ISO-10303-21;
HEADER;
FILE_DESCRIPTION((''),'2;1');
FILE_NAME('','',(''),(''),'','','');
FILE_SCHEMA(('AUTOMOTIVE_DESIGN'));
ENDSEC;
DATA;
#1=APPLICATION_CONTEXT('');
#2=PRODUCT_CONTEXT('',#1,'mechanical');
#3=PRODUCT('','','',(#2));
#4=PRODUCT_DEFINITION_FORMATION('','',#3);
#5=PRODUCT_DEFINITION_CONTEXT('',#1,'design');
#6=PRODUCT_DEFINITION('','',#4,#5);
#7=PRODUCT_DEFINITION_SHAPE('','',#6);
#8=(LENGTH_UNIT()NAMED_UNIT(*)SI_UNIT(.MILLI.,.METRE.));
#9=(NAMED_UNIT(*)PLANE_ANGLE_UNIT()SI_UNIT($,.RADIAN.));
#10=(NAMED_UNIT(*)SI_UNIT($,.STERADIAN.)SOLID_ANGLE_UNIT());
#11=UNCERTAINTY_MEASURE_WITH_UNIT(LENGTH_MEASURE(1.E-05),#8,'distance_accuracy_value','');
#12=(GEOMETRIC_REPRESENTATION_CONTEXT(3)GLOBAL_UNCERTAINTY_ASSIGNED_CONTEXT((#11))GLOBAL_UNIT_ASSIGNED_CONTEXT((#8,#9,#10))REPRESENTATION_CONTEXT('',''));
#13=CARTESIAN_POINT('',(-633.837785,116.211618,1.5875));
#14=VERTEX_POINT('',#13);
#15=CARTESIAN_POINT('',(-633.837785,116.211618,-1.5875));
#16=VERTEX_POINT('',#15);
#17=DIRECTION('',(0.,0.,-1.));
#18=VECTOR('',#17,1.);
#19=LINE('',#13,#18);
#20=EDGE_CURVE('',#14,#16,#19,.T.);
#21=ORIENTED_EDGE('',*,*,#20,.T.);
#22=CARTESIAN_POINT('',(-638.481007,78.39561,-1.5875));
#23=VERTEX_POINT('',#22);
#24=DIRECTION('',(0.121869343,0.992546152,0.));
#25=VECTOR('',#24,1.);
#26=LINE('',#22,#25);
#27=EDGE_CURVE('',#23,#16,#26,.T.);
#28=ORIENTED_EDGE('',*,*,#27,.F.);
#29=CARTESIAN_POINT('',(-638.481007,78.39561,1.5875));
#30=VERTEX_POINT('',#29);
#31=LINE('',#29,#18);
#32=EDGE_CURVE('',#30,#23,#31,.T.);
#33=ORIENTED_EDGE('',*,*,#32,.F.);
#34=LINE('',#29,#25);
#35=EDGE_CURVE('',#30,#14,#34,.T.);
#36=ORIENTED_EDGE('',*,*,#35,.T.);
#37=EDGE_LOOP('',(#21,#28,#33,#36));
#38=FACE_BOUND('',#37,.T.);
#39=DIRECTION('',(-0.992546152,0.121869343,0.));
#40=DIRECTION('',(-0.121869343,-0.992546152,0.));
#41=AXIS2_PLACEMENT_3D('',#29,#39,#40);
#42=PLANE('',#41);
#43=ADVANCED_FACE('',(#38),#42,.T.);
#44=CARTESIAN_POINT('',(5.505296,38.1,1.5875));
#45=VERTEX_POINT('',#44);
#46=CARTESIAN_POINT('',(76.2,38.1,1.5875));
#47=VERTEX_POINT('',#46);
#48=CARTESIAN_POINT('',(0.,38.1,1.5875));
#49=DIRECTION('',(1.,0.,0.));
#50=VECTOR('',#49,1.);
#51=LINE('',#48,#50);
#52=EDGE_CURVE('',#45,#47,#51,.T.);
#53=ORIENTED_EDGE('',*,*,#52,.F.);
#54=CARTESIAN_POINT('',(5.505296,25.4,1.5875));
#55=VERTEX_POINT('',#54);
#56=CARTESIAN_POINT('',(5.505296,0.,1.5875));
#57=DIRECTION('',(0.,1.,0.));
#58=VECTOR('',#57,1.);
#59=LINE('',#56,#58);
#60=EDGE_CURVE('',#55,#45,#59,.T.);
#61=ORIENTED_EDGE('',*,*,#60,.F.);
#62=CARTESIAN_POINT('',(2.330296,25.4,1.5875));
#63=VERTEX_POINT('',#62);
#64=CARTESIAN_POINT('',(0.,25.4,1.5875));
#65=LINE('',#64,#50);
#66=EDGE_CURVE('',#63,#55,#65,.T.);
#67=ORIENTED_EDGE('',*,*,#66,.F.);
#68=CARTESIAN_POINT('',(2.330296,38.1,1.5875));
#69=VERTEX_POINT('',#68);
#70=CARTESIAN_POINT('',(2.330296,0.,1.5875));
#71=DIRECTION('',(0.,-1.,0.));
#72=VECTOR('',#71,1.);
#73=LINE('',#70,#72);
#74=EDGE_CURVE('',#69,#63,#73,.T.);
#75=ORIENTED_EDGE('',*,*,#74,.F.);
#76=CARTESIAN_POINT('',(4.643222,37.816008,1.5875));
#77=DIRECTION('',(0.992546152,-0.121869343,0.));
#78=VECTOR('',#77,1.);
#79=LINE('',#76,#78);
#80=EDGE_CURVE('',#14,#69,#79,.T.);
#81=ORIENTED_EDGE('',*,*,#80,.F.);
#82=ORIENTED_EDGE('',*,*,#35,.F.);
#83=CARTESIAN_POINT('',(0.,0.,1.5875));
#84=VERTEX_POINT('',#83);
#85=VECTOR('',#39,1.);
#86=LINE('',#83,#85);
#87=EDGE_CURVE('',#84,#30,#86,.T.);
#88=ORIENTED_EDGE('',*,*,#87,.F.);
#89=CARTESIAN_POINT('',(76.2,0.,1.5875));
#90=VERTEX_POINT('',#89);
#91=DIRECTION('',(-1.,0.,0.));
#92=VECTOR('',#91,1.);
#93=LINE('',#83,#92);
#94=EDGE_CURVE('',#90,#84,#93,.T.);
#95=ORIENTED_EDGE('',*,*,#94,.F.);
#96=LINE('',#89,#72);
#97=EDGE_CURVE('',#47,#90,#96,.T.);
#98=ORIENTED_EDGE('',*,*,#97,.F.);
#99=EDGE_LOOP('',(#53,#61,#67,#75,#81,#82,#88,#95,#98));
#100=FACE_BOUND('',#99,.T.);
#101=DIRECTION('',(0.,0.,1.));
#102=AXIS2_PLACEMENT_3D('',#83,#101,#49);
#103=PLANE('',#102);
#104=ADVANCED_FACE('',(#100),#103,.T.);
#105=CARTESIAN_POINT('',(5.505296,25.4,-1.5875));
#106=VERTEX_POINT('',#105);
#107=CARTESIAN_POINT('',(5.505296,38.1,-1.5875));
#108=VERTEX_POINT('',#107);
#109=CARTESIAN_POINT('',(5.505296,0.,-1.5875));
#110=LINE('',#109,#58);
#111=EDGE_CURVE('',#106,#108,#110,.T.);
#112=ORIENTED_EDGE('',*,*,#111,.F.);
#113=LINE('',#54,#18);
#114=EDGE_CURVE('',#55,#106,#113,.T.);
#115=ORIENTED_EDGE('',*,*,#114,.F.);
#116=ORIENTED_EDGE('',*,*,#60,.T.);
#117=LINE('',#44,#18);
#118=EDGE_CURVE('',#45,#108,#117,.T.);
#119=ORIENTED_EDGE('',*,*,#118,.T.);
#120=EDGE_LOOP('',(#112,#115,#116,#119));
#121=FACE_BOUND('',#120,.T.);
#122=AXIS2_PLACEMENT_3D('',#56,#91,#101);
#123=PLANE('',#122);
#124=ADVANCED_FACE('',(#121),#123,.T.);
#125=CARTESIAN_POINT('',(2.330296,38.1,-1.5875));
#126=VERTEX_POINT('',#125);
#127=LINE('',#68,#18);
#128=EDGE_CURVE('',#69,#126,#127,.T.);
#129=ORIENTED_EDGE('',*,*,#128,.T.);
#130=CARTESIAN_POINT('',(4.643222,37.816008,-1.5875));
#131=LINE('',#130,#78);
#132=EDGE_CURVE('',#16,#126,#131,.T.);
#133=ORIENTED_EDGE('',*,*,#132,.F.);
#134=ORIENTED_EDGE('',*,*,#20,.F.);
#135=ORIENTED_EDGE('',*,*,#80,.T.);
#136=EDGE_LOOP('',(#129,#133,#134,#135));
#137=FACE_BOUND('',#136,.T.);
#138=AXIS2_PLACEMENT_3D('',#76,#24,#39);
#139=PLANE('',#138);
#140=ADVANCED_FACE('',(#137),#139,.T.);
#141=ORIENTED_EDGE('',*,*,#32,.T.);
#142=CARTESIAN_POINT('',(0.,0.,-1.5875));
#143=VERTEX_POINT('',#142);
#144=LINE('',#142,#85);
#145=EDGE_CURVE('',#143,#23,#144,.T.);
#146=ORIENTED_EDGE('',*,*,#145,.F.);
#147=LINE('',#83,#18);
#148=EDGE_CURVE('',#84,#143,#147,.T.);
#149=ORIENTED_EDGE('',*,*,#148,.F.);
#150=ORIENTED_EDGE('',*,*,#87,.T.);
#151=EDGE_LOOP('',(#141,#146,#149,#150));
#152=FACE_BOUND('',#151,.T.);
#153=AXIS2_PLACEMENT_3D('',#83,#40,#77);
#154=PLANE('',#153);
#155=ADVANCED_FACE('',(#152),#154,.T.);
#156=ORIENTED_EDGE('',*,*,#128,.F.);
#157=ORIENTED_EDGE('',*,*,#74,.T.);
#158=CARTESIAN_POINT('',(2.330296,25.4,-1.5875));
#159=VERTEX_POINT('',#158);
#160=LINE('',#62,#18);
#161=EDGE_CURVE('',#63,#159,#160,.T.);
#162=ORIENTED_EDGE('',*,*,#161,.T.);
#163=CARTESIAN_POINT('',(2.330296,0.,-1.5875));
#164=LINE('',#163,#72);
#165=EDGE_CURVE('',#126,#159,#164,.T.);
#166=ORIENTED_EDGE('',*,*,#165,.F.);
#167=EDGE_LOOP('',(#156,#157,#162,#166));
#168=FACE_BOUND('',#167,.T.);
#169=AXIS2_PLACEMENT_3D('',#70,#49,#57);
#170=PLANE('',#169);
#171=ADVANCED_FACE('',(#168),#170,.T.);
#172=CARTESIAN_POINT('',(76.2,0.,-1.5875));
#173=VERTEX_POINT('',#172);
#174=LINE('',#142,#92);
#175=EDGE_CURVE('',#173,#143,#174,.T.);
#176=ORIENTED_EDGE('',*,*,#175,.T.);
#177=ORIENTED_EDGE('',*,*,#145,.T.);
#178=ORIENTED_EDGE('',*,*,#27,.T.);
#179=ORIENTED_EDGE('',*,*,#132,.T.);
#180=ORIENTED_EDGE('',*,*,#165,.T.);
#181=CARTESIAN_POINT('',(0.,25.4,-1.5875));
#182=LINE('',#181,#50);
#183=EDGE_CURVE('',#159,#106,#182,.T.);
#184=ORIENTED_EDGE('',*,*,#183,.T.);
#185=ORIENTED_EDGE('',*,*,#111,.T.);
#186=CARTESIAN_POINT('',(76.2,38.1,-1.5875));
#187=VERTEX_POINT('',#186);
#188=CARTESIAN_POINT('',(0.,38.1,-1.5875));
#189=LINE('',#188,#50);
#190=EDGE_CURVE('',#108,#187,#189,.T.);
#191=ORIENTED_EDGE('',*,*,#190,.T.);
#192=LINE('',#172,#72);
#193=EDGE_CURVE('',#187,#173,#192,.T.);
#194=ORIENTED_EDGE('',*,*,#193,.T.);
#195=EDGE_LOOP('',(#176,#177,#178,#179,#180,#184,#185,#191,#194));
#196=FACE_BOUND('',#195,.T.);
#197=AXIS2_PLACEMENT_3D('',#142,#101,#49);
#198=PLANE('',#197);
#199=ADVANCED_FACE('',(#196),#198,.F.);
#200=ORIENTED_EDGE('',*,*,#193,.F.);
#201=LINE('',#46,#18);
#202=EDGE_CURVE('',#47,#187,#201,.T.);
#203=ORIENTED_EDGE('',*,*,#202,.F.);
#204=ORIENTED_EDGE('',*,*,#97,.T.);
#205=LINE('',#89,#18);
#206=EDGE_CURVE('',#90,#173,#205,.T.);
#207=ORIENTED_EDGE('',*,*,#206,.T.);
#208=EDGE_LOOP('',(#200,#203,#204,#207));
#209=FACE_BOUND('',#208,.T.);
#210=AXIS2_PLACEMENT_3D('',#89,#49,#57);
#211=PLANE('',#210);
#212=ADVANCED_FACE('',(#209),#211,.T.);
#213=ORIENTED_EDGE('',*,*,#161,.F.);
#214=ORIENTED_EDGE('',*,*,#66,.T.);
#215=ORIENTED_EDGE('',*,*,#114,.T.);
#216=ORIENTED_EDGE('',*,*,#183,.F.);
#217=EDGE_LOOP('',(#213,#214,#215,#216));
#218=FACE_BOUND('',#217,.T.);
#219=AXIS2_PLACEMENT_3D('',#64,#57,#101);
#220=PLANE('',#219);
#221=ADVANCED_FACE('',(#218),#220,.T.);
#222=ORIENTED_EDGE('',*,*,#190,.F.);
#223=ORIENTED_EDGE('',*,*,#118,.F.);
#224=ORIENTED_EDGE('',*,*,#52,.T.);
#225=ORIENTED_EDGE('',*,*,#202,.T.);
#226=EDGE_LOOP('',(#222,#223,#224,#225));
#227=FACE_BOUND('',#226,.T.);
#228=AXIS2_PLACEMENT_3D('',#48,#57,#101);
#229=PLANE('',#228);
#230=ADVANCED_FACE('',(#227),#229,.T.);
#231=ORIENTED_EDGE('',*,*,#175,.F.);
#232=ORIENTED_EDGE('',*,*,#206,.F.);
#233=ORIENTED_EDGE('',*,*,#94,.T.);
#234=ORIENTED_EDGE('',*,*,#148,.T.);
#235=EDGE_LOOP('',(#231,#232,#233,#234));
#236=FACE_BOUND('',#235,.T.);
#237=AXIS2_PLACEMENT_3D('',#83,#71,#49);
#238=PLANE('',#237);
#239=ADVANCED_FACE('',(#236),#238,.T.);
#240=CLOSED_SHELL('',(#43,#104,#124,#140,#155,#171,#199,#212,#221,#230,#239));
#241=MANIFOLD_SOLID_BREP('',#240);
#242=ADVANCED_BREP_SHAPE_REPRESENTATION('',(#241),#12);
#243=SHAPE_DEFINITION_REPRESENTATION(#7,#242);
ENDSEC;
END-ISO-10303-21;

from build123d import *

# Parameters (mm, degrees)
BOSS_EXTRUDE1_DEPTH = 1.5875


with BuildPart() as part:
    # Sketch1 → Boss-Extrude1 (new body, symmetric)
    with BuildSketch(Plane.XY):
        Polygon((-638.481007022, 78.395610092), (0, 0), (76.2, 0), (76.2, 38.1), (5.505295828, 38.1), (5.505295828, 25.4), (2.330295828, 25.4), (2.330295828, 38.1), (-633.837785039, 116.21161847), align=None)
    extrude(amount=BOSS_EXTRUDE1_DEPTH, both=True)


solid = part.part
